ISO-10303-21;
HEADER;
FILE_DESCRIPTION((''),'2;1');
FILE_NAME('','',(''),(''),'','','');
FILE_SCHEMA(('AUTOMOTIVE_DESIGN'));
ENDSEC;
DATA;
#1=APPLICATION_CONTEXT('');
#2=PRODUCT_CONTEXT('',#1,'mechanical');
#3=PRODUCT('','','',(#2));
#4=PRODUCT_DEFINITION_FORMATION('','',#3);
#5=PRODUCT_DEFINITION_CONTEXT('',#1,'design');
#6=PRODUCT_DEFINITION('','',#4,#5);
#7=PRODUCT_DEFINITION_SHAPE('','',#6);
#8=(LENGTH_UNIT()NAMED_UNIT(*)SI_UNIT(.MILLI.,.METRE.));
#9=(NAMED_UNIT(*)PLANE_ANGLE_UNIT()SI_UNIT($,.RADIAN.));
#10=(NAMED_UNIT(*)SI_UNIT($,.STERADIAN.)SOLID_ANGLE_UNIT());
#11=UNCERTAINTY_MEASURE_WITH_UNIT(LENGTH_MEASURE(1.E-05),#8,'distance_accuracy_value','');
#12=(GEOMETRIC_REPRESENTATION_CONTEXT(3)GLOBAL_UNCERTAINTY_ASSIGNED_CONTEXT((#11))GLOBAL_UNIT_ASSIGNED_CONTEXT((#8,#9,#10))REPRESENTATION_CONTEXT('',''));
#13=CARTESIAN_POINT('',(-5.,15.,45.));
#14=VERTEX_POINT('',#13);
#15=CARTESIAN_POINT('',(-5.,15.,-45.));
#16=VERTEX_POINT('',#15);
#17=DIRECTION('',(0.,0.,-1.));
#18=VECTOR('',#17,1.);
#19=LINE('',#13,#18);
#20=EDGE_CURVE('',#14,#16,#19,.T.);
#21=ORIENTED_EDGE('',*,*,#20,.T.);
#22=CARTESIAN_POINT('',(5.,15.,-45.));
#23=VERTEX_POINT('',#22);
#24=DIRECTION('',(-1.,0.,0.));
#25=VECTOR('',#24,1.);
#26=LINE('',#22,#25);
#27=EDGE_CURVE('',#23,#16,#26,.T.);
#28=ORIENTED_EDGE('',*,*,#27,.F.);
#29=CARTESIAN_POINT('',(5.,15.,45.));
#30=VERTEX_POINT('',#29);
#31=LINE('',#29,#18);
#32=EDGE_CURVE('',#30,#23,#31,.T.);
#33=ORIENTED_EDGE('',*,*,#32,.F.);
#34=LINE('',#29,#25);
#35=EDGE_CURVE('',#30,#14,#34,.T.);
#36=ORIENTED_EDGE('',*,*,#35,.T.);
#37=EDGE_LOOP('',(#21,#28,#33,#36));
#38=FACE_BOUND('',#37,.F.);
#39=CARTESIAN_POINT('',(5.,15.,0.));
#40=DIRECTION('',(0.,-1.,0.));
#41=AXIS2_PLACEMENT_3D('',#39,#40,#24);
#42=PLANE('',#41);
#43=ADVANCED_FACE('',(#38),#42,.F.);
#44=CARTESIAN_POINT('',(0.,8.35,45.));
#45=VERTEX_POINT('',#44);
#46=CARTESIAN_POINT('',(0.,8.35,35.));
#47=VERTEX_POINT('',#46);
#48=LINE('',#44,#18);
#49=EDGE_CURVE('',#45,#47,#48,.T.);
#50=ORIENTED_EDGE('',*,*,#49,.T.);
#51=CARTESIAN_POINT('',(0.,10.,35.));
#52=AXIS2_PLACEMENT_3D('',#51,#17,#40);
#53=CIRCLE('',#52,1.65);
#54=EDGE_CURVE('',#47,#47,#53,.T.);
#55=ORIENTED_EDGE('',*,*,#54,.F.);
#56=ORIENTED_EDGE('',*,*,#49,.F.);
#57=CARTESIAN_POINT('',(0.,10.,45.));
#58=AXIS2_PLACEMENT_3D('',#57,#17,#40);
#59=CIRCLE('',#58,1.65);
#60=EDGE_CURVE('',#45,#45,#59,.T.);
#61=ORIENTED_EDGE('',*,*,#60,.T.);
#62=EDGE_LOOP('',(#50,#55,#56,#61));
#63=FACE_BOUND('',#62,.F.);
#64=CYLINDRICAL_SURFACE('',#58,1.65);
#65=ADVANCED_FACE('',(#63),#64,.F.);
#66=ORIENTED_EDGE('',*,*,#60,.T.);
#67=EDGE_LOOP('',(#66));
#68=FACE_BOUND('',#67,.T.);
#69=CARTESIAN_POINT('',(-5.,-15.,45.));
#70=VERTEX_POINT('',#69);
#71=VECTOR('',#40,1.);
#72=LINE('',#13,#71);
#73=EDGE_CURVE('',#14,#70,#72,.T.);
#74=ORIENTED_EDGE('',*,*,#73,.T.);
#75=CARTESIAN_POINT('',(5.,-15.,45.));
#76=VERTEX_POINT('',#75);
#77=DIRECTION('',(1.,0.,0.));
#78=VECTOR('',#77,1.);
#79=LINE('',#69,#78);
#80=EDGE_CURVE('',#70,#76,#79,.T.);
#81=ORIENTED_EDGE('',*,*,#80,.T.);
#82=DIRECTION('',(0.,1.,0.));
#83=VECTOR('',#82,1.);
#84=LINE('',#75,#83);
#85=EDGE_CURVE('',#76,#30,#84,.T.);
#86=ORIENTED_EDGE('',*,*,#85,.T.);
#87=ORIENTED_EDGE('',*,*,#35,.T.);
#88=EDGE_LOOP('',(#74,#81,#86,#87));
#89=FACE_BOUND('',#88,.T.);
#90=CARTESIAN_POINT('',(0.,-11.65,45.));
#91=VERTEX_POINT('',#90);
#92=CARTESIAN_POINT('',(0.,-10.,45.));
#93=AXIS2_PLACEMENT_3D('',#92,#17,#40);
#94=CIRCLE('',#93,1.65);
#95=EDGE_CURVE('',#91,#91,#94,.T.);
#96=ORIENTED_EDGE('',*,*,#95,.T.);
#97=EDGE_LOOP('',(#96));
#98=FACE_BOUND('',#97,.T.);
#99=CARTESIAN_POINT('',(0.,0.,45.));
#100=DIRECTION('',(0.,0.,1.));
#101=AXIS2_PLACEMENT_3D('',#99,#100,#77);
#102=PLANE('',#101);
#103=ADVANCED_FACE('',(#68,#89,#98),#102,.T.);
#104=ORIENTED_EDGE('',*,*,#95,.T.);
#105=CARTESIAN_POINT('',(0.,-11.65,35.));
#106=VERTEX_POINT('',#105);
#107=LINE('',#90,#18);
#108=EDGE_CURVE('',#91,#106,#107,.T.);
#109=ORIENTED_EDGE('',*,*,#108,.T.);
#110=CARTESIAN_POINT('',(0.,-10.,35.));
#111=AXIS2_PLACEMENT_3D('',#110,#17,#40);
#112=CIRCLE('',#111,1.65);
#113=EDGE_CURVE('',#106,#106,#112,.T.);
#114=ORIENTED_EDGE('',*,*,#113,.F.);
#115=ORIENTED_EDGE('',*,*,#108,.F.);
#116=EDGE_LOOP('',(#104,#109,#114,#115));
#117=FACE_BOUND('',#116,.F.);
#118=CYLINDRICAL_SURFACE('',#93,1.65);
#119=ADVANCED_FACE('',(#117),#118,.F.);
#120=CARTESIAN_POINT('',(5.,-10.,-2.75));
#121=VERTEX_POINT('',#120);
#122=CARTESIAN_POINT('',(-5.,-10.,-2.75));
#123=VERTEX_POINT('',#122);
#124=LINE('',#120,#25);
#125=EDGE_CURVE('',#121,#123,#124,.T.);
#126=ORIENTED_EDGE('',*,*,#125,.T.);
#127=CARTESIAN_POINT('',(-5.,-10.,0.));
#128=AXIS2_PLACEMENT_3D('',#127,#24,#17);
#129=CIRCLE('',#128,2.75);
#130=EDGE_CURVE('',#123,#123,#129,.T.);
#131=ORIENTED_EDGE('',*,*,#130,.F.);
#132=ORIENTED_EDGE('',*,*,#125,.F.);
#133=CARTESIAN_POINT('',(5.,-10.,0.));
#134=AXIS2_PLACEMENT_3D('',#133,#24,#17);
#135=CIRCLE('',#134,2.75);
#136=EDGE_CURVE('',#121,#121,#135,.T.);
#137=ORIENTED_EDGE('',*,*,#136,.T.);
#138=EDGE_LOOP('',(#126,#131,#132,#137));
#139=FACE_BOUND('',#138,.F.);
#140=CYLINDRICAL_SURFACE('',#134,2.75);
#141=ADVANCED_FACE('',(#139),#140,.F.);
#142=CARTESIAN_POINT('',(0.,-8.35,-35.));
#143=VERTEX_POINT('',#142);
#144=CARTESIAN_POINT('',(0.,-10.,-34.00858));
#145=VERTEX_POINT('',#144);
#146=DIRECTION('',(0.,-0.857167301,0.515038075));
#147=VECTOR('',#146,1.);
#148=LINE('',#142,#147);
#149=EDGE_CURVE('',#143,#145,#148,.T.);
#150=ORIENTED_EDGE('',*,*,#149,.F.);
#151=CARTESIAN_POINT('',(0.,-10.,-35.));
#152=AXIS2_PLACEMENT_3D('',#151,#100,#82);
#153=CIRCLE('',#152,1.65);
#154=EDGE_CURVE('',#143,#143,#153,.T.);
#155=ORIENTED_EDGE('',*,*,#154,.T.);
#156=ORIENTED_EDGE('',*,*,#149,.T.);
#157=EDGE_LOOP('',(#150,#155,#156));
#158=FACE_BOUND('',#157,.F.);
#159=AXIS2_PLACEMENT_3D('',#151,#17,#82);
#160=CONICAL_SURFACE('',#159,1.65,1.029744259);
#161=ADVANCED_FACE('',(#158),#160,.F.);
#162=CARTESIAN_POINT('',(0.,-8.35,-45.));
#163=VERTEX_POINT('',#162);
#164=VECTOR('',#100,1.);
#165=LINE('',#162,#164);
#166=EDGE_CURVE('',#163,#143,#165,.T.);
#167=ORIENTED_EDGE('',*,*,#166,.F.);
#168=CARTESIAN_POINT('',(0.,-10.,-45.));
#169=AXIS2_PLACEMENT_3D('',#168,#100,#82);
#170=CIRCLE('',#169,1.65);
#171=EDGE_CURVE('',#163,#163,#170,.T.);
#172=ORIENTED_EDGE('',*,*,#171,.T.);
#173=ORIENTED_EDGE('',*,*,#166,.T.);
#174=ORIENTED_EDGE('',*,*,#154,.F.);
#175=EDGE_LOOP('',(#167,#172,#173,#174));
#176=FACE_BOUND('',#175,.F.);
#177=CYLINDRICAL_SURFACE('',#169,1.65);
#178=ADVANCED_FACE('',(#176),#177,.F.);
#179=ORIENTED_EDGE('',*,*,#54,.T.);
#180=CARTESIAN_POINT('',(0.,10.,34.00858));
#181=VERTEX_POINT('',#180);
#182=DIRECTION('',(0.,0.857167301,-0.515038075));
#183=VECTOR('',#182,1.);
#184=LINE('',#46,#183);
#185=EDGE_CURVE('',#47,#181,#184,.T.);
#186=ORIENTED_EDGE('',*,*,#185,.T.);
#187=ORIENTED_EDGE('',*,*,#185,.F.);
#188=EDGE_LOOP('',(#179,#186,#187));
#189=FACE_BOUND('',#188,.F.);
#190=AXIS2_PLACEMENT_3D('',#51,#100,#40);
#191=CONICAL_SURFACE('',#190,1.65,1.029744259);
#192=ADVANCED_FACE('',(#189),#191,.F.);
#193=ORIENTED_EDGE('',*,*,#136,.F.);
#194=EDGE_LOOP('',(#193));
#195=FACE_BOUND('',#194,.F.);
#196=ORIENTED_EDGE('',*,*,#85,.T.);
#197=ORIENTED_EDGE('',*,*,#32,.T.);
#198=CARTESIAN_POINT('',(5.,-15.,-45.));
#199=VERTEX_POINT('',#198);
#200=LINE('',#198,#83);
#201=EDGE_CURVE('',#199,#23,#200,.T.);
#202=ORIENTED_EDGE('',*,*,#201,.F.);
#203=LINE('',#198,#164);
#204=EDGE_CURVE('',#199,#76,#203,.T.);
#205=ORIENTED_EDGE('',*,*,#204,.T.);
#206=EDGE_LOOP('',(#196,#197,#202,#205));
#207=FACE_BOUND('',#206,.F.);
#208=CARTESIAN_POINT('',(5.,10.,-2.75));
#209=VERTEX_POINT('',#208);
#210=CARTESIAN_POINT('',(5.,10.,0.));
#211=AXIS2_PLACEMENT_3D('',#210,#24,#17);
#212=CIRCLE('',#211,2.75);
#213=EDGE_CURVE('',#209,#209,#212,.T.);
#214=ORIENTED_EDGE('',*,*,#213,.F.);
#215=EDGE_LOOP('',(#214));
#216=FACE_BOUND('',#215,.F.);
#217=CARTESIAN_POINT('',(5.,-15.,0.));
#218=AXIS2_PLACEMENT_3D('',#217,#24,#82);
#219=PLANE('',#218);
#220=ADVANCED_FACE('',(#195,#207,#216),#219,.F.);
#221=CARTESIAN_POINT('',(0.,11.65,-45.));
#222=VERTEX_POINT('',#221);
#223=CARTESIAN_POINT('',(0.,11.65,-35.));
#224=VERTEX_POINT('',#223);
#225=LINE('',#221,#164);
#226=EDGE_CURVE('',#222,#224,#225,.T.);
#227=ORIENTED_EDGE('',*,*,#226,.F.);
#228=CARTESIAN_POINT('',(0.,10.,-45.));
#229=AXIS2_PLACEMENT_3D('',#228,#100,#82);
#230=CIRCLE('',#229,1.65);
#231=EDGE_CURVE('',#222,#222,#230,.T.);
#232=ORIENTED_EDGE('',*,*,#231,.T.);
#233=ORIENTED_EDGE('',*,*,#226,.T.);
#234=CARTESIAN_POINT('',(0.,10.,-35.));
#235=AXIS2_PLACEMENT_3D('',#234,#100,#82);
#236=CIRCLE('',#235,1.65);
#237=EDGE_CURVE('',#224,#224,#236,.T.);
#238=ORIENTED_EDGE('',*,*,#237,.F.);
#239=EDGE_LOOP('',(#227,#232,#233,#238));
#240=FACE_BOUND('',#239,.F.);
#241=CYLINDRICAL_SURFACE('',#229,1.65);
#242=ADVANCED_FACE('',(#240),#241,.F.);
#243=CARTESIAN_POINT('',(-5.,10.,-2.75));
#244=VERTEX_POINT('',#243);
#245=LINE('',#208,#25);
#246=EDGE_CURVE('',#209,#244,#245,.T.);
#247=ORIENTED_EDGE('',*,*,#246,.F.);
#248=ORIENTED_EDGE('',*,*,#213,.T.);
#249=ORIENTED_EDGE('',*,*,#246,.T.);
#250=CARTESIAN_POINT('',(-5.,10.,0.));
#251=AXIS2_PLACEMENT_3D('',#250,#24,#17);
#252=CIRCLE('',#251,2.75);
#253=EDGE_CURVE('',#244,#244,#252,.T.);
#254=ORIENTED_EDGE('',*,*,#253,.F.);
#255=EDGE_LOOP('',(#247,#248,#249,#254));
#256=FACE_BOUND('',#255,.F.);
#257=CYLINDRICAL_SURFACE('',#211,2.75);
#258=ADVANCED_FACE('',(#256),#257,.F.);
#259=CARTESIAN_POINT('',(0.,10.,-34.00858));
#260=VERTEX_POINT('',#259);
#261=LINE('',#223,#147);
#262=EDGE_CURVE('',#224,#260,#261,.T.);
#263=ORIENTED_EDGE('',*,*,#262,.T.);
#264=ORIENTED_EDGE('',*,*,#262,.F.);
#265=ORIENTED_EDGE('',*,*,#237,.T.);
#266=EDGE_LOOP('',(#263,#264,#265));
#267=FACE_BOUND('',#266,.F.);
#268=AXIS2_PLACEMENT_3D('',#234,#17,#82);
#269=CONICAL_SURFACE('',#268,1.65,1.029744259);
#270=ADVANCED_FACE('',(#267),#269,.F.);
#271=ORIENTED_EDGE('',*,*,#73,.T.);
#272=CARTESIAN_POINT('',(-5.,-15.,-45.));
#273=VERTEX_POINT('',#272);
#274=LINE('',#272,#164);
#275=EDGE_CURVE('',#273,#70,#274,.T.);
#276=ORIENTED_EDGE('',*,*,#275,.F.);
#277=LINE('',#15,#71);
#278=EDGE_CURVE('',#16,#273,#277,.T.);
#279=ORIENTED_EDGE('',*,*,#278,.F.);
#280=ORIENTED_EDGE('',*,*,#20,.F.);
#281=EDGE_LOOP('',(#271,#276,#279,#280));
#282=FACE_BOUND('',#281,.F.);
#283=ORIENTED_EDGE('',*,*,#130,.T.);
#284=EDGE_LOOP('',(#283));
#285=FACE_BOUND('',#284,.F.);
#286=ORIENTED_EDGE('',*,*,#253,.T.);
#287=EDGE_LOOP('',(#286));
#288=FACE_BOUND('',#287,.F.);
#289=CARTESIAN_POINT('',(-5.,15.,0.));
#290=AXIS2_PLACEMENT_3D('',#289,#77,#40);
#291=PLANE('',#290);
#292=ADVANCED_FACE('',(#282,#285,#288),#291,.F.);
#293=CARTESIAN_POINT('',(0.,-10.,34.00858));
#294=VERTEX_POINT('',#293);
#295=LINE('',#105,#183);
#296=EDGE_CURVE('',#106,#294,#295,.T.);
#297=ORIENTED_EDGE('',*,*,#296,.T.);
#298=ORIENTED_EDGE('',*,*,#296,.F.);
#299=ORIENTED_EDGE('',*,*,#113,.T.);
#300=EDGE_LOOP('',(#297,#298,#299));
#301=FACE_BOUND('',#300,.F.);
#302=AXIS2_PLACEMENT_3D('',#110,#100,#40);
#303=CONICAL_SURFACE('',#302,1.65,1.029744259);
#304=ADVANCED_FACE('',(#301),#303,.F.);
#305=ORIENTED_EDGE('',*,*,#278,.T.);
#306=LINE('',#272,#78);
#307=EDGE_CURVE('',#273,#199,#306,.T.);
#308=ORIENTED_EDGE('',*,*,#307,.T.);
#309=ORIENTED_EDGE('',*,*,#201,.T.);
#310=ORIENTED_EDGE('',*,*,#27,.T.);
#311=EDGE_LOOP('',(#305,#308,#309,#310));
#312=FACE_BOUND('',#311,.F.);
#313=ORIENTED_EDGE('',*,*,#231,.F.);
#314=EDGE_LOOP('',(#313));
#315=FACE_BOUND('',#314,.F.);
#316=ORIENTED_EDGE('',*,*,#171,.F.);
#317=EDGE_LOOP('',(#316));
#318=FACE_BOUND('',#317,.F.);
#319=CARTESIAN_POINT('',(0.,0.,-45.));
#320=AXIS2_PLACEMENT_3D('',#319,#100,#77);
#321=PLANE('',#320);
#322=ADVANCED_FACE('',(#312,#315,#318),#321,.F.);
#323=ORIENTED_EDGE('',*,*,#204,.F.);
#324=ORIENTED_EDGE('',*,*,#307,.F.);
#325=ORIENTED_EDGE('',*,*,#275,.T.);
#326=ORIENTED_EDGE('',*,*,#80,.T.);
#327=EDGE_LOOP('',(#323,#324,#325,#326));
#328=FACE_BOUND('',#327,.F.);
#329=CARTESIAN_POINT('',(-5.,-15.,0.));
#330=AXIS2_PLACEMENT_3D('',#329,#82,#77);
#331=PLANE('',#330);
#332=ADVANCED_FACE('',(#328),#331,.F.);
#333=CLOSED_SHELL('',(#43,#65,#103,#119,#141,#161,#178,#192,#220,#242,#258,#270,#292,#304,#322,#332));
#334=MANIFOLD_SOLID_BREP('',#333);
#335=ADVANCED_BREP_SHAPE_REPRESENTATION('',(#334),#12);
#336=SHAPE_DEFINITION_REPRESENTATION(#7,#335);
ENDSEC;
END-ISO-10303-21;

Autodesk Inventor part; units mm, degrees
ref_plane "YZ Plane" through (0, 0, 0) normal (1, 0, 0) x (0, 1, 0)
ref_plane "XZ Plane" through (0, 0, 0) normal (0, 1, 0) x (-1, 0, 0)
ref_plane "XY Plane" through (0, 0, 0) normal (0, 0, 1) x (1, 0, 0)
sketch "スケッチ1" plane through (0, 0, 0) normal (0, 0, 1) x (1, 0, 0)
  line L0 (-5, -15) -> (5, -15)
  line L1 (5, -15) -> (5, 15)
  line L2 (5, 15) -> (-5, 15)
  line L3 (-5, 15) -> (-5, -15)
  line L4 (-5, -15) -> (5, 15) construction
  line L5 (5, -15) -> (-5, 15) construction
  point P0 (0, 0)
  dimension "d0" = 10
  dimension "d1" = 30
extrude "押し出し1" add sketch "スケッチ1" along normal mid plane 90
sketch "スケッチ2" plane through (0, 0, 45) normal (0, 0, 1) x (1, 0, 0)
  line L0 (5, 15) -> (-5, 15) projected
  line L1 (5, -15) -> (5, 15) projected
  line L2 (-5, -15) -> (5, -15) projected
  point P0 (0, 0)
  point P1 (0, 10)
  point P2 (0, -10)
  dimension "d4" = 5
  dimension "d5" = 5
  dimension "d6" = 5
  dimension "d7" = 5
hole "穴1" at (0, 10, 45) at (0, -10, 45) direction (0, 0, -1) diameter 3.3 depth 10 tip angle 118
sketch "スケッチ3" plane through (0, 0, -45) normal (0, 0, -1) x (-1, 0, 0)
  circle A0 centre (0, 10) radius 1.65 projected
  circle A1 centre (0, -10) radius 1.65 projected
  point P0 (0, 0)
hole "穴2" at (0, 10, -45) at (0, -10, -45) direction (0, 0, 1) diameter 3.3 depth 10 tip angle 118
sketch "スケッチ4" plane through (5, -15, 45) normal (1, 0, 0) x (0, 0, -1)
  line L0 (90, 30) -> (0, 30) projected
  line L1 (0, 0) -> (0, 30) projected
  point P0 (45, 15)
  point P1 (45, 25)
  point P2 (45, 5)
  point P3 (45, 30)
  dimension "d22" = 5
  dimension "d23" = 20
  dimension "d24" = 45
  dimension "d25" = 45
hole "穴3" at (5, 10, 0) at (5, -10, 0) direction (-1, 0, 0) diameter 5.5 end through all
equation "\"d5\" = d4"
equation "\"d6\" = d4"
equation "\"d7\" = d4"
equation "\"d25\" = d24"
properties part number "base_part_attachment_ver2"
